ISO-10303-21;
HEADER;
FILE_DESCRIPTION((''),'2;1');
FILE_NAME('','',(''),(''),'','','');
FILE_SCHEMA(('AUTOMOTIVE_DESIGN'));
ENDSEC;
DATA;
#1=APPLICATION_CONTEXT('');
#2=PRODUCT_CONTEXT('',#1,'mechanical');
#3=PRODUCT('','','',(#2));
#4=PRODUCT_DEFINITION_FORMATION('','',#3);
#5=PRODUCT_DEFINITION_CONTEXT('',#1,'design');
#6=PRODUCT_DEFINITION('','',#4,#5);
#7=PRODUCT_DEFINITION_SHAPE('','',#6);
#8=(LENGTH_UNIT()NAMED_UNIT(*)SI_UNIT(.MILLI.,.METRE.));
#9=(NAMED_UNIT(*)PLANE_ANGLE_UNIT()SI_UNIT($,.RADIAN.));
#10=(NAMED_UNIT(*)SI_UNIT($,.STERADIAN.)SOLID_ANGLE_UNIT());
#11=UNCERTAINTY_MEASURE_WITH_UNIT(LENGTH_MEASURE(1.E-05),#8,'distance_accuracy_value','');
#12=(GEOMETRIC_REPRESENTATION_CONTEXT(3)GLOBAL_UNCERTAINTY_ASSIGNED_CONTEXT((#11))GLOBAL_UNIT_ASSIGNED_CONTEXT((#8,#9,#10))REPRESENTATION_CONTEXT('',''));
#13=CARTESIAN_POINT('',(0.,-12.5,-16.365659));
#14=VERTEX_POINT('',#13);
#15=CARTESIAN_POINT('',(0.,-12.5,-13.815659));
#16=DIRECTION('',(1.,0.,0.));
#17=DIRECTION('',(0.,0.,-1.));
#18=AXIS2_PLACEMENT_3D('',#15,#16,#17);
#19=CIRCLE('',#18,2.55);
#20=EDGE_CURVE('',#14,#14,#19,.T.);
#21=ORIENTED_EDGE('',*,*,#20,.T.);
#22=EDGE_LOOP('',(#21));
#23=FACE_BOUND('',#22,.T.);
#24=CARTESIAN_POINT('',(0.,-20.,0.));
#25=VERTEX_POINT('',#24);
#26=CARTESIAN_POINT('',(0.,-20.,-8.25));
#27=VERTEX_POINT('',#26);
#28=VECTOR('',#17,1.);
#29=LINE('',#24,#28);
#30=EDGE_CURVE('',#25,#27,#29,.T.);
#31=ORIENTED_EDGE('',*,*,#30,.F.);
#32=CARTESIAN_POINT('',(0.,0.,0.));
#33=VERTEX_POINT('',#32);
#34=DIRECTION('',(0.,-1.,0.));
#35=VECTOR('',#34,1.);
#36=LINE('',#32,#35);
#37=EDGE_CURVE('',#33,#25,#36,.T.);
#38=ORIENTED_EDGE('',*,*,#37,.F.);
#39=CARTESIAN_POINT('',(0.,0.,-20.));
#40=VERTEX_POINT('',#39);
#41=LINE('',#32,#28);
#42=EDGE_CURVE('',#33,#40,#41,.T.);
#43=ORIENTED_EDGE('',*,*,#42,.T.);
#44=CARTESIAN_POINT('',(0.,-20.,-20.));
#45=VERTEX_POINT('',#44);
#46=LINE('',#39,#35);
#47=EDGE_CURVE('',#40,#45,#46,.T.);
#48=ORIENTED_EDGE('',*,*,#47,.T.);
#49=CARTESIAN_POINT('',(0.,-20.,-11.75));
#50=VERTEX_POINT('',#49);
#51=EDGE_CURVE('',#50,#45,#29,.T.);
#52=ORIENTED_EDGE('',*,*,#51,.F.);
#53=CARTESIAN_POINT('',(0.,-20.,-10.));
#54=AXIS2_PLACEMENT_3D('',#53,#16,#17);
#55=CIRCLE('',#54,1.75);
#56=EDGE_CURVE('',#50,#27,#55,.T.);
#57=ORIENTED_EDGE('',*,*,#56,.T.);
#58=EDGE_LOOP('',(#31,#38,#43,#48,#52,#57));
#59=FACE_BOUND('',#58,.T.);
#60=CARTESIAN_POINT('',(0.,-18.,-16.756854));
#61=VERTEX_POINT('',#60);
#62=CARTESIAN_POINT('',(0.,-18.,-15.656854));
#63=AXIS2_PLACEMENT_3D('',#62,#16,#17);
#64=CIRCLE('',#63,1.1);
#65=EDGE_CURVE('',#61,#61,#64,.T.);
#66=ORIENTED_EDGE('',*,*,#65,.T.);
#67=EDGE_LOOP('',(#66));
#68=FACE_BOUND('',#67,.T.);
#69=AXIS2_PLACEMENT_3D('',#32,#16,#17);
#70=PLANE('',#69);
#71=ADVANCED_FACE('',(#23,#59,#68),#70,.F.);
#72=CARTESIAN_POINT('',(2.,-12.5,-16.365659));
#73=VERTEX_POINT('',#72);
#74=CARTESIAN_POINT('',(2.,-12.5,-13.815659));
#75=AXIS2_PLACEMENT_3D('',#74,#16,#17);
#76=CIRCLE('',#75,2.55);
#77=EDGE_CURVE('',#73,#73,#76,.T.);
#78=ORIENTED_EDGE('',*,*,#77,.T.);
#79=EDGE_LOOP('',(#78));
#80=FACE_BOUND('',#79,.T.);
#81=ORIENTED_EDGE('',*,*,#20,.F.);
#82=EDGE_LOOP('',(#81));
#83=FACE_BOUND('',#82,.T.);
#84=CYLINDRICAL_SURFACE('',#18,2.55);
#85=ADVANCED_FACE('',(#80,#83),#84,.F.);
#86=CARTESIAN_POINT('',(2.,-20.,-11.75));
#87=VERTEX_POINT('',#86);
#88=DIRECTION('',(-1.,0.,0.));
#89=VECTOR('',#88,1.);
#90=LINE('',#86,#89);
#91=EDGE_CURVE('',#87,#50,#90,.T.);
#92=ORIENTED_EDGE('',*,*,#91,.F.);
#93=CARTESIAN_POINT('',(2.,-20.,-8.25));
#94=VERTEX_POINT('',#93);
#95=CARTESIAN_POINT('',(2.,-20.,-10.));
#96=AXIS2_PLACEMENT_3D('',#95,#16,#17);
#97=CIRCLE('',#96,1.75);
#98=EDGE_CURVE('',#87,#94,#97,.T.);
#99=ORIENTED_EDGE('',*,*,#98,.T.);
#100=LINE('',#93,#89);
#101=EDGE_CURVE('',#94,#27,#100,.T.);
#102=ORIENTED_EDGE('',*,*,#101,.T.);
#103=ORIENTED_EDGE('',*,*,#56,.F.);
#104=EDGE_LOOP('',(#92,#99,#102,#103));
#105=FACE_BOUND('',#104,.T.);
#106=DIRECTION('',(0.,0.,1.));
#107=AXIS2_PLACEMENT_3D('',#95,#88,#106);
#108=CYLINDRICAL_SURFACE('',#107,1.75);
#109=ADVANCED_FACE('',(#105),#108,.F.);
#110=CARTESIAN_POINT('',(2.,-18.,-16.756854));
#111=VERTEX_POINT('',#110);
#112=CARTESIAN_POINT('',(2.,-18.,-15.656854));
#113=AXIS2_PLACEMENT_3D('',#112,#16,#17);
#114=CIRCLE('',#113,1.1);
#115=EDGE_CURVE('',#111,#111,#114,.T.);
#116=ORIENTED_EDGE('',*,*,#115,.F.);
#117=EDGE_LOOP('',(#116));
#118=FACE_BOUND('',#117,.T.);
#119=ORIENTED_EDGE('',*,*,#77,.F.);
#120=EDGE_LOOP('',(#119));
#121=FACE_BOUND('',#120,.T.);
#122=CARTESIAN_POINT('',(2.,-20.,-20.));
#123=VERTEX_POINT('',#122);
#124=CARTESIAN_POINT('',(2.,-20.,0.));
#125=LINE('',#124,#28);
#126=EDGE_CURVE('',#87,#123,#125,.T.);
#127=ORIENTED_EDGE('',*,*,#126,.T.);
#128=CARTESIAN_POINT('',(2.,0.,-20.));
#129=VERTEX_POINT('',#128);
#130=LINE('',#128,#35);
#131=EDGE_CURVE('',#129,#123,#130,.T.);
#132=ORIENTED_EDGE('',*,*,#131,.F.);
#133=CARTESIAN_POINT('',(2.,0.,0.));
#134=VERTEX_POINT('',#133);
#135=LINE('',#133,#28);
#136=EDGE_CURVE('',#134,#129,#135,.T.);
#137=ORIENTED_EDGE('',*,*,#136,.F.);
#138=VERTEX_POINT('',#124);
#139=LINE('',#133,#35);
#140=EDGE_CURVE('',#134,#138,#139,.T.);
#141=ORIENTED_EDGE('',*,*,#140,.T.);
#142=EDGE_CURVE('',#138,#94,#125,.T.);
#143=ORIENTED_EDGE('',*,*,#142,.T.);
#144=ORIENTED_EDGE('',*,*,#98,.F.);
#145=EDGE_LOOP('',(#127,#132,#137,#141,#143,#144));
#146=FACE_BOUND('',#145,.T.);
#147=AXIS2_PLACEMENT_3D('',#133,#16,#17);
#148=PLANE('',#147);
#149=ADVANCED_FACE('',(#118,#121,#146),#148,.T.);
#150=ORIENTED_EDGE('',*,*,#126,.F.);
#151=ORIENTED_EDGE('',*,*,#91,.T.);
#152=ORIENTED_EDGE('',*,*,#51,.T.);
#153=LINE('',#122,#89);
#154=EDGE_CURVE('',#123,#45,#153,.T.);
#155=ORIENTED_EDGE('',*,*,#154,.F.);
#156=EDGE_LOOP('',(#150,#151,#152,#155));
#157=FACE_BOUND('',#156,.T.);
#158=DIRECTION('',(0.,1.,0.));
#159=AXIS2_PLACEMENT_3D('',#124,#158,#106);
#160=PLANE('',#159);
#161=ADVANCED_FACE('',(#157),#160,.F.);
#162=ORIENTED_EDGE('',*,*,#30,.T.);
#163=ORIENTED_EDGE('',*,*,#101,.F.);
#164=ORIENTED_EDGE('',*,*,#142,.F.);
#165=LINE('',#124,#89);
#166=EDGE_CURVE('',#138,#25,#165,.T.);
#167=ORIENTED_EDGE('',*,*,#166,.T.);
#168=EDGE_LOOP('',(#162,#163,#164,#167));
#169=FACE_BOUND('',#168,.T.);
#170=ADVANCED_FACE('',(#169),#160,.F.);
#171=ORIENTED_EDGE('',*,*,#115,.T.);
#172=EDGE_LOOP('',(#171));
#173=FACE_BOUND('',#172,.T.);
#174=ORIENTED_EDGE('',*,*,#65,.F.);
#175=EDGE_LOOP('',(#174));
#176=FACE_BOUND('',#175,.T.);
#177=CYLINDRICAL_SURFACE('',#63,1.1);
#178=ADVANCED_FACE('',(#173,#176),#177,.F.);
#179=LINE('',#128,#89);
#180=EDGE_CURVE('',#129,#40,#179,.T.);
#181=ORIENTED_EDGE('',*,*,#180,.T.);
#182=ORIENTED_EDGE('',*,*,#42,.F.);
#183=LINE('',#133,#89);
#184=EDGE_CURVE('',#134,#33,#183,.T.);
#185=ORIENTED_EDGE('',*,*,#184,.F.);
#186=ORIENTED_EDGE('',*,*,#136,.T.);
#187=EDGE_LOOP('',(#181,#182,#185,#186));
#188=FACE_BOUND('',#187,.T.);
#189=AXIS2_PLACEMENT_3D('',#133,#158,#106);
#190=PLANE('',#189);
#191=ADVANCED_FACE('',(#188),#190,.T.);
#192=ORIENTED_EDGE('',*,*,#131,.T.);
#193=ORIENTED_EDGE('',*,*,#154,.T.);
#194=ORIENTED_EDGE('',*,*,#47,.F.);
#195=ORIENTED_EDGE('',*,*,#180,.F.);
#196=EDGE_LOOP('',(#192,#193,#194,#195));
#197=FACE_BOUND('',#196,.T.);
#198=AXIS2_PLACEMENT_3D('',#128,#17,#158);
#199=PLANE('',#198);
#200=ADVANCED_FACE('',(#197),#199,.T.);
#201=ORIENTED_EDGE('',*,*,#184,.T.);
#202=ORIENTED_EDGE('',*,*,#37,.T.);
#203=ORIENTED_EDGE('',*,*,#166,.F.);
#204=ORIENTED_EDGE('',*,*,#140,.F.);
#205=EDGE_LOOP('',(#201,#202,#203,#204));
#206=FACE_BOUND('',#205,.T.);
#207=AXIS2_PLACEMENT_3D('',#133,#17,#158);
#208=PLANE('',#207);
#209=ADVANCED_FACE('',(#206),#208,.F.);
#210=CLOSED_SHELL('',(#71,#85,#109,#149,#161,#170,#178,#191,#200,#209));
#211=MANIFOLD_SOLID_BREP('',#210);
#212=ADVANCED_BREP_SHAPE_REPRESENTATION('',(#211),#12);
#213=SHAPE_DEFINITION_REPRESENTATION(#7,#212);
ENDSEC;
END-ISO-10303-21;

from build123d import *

# Parameters (mm, degrees)
EXTRUDE_1_DEPTH     = 2
SKETCH_2_R          = 1.1
SKETCH_2_R_2        = 2.55
CUT_EXTRUDE_1_DEPTH = 29.354893758


with BuildPart() as part:
    # 草图1 → 凸台-拉伸1 (new body)
    with BuildSketch(Plane(origin=(0, 0, 0), x_dir=(0, 0, -1), z_dir=(1, 0, 0))):
        with BuildLine():
            Line((20, 0), (0, 0))
            Line((0, 0), (0, -20))
            Line((0, -20), (8.25, -20))
            ThreePointArc((8.25, -20), (10, -18.25), (11.75, -20))
            Line((11.75, -20), (20, -20))
            Line((20, -20), (20, 0))
        make_face()
    extrude(amount=EXTRUDE_1_DEPTH)

    # 草图2 → 切除-拉伸1 (cut, through all)
    with BuildSketch(Plane(origin=(2, 0, 0), x_dir=(0, 0, -1), z_dir=(1, 0, 0))):
        with Locations((15.656854249, -18)):
            Circle(SKETCH_2_R)
        with Locations((13.815658986, -12.5)):
            Circle(SKETCH_2_R_2)
    extrude(amount=-CUT_EXTRUDE_1_DEPTH, mode=Mode.SUBTRACT)


solid = part.part
